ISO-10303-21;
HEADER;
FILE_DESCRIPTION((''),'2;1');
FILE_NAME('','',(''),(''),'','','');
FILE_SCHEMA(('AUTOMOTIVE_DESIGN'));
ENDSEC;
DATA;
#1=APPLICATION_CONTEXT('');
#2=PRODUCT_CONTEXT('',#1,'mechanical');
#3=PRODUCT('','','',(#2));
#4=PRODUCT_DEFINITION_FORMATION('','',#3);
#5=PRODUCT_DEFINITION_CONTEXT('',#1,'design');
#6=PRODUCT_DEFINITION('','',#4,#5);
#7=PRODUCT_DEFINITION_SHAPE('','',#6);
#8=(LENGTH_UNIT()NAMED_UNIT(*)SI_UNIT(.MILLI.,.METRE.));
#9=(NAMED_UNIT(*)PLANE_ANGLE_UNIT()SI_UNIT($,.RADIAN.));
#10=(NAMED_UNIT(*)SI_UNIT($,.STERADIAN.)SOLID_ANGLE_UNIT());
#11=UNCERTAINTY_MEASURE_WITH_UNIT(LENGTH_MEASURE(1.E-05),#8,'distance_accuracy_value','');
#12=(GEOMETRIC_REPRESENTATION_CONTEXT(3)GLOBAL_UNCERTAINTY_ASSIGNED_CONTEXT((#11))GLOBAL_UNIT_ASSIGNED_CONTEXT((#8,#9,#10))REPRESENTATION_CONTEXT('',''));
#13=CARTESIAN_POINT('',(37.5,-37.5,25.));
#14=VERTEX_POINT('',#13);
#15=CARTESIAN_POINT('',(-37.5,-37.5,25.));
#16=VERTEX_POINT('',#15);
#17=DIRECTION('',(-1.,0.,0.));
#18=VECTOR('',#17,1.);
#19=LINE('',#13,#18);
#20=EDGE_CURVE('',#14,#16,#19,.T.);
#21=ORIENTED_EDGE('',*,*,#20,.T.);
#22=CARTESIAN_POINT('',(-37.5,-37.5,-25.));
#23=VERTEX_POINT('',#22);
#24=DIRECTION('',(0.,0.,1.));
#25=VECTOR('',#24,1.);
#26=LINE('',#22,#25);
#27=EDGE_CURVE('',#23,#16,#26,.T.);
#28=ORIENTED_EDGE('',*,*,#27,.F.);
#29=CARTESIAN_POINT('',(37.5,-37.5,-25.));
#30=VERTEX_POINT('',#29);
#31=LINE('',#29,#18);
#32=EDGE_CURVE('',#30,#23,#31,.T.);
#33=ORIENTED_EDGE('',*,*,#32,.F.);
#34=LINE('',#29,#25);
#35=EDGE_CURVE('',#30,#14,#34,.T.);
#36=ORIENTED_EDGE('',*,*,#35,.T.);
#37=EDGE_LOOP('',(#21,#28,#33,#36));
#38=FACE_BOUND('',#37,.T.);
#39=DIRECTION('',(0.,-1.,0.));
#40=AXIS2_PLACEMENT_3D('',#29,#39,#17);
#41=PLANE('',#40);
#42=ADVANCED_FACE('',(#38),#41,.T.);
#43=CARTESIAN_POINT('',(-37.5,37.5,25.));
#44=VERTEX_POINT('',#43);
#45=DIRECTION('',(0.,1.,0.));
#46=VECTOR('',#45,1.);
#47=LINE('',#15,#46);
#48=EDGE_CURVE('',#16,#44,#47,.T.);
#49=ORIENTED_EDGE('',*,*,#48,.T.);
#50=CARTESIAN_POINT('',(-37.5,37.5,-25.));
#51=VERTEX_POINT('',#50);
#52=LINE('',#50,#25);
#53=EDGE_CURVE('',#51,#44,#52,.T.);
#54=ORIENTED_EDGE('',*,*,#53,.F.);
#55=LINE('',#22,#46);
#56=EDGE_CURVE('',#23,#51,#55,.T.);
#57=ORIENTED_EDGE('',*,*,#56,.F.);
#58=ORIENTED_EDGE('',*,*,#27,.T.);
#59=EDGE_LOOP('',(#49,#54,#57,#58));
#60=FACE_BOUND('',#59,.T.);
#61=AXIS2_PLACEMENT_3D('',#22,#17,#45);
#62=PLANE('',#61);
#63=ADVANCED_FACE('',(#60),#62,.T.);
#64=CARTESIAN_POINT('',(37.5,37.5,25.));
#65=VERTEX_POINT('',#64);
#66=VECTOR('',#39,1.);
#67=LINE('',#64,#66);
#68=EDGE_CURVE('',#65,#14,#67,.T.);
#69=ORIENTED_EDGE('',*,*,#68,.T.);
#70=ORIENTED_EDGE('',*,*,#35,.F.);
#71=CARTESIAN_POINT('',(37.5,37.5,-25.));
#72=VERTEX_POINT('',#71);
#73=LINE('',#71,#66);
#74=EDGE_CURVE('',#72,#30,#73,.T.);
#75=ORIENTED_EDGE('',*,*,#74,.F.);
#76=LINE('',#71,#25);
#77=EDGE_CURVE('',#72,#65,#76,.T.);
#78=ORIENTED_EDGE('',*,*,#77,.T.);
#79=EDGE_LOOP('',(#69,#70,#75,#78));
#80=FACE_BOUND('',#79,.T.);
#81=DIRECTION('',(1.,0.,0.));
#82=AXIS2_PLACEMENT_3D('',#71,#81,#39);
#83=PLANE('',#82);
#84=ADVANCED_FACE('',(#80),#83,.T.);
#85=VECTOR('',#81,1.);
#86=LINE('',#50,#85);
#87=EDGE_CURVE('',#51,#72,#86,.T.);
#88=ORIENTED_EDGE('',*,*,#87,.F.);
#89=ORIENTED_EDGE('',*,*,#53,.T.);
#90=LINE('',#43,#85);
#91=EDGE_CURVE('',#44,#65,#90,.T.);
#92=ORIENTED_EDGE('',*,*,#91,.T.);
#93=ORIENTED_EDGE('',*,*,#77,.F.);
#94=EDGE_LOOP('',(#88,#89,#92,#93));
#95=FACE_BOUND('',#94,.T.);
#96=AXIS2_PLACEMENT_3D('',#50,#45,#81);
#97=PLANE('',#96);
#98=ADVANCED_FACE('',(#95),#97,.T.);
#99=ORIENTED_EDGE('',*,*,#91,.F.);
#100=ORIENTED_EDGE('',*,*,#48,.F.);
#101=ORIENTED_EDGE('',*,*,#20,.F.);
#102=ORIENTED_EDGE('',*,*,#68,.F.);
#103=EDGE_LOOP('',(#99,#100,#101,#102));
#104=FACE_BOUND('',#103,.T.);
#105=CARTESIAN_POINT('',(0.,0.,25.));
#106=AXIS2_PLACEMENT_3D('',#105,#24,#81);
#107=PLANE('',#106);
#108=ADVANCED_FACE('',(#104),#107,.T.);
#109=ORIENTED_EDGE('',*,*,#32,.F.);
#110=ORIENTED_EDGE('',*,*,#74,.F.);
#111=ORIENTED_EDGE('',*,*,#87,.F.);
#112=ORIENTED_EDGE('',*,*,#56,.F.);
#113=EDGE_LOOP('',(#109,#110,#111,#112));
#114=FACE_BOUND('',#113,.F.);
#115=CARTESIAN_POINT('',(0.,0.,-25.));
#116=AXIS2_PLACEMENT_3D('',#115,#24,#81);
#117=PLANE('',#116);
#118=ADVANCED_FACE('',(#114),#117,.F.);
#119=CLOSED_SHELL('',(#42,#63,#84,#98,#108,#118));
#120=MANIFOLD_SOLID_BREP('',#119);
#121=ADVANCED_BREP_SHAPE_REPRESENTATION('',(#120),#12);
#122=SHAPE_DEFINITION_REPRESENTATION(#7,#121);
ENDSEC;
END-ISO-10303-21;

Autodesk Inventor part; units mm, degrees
ref_plane "YZ Plane" through (0, 0, 0) normal (1, 0, 0) x (0, 1, 0)
ref_plane "XZ Plane" through (0, 0, 0) normal (0, 1, 0) x (-1, 0, 0)
ref_plane "XY Plane" through (0, 0, 0) normal (0, 0, 1) x (1, 0, 0)
sketch "Sketch1" plane through (0, 0, -25) normal (0, 0, 1) x (1, 0, 0)
  line L0 (-37.5, 37.5) -> (37.5, 37.5)
  line L1 (37.5, 37.5) -> (37.5, -37.5)
  line L2 (37.5, -37.5) -> (-37.5, -37.5)
  line L3 (-37.5, -37.5) -> (-37.5, 37.5)
  point P0 (0, 0)
  dimension "d1" = 37.5
  dimension "d2" = 37.5
  dimension "d3" = 37.5
  dimension "d4" = 37.5
extrude "Extrusion1" add sketch "Sketch1" along normal blind 50
equation "\"d1\" = -Xmin"
equation "\"d2\" = Xmax"
equation "\"d3\" = -Ymin"
equation "\"d4\" = Ymax"
equation "\"d5\" = Zmax - Zmin"
equation "\"Xmin\" = -37.5"
equation "\"Ymin\" = -37.5"
equation "\"Zmin\" = -25"
equation "\"Xmax\" = 37.5"
equation "\"Ymax\" = 37.5"
equation "\"Zmax\" = 25"
properties part number "CE-7.1.1_CE-2.1.4_WP"
